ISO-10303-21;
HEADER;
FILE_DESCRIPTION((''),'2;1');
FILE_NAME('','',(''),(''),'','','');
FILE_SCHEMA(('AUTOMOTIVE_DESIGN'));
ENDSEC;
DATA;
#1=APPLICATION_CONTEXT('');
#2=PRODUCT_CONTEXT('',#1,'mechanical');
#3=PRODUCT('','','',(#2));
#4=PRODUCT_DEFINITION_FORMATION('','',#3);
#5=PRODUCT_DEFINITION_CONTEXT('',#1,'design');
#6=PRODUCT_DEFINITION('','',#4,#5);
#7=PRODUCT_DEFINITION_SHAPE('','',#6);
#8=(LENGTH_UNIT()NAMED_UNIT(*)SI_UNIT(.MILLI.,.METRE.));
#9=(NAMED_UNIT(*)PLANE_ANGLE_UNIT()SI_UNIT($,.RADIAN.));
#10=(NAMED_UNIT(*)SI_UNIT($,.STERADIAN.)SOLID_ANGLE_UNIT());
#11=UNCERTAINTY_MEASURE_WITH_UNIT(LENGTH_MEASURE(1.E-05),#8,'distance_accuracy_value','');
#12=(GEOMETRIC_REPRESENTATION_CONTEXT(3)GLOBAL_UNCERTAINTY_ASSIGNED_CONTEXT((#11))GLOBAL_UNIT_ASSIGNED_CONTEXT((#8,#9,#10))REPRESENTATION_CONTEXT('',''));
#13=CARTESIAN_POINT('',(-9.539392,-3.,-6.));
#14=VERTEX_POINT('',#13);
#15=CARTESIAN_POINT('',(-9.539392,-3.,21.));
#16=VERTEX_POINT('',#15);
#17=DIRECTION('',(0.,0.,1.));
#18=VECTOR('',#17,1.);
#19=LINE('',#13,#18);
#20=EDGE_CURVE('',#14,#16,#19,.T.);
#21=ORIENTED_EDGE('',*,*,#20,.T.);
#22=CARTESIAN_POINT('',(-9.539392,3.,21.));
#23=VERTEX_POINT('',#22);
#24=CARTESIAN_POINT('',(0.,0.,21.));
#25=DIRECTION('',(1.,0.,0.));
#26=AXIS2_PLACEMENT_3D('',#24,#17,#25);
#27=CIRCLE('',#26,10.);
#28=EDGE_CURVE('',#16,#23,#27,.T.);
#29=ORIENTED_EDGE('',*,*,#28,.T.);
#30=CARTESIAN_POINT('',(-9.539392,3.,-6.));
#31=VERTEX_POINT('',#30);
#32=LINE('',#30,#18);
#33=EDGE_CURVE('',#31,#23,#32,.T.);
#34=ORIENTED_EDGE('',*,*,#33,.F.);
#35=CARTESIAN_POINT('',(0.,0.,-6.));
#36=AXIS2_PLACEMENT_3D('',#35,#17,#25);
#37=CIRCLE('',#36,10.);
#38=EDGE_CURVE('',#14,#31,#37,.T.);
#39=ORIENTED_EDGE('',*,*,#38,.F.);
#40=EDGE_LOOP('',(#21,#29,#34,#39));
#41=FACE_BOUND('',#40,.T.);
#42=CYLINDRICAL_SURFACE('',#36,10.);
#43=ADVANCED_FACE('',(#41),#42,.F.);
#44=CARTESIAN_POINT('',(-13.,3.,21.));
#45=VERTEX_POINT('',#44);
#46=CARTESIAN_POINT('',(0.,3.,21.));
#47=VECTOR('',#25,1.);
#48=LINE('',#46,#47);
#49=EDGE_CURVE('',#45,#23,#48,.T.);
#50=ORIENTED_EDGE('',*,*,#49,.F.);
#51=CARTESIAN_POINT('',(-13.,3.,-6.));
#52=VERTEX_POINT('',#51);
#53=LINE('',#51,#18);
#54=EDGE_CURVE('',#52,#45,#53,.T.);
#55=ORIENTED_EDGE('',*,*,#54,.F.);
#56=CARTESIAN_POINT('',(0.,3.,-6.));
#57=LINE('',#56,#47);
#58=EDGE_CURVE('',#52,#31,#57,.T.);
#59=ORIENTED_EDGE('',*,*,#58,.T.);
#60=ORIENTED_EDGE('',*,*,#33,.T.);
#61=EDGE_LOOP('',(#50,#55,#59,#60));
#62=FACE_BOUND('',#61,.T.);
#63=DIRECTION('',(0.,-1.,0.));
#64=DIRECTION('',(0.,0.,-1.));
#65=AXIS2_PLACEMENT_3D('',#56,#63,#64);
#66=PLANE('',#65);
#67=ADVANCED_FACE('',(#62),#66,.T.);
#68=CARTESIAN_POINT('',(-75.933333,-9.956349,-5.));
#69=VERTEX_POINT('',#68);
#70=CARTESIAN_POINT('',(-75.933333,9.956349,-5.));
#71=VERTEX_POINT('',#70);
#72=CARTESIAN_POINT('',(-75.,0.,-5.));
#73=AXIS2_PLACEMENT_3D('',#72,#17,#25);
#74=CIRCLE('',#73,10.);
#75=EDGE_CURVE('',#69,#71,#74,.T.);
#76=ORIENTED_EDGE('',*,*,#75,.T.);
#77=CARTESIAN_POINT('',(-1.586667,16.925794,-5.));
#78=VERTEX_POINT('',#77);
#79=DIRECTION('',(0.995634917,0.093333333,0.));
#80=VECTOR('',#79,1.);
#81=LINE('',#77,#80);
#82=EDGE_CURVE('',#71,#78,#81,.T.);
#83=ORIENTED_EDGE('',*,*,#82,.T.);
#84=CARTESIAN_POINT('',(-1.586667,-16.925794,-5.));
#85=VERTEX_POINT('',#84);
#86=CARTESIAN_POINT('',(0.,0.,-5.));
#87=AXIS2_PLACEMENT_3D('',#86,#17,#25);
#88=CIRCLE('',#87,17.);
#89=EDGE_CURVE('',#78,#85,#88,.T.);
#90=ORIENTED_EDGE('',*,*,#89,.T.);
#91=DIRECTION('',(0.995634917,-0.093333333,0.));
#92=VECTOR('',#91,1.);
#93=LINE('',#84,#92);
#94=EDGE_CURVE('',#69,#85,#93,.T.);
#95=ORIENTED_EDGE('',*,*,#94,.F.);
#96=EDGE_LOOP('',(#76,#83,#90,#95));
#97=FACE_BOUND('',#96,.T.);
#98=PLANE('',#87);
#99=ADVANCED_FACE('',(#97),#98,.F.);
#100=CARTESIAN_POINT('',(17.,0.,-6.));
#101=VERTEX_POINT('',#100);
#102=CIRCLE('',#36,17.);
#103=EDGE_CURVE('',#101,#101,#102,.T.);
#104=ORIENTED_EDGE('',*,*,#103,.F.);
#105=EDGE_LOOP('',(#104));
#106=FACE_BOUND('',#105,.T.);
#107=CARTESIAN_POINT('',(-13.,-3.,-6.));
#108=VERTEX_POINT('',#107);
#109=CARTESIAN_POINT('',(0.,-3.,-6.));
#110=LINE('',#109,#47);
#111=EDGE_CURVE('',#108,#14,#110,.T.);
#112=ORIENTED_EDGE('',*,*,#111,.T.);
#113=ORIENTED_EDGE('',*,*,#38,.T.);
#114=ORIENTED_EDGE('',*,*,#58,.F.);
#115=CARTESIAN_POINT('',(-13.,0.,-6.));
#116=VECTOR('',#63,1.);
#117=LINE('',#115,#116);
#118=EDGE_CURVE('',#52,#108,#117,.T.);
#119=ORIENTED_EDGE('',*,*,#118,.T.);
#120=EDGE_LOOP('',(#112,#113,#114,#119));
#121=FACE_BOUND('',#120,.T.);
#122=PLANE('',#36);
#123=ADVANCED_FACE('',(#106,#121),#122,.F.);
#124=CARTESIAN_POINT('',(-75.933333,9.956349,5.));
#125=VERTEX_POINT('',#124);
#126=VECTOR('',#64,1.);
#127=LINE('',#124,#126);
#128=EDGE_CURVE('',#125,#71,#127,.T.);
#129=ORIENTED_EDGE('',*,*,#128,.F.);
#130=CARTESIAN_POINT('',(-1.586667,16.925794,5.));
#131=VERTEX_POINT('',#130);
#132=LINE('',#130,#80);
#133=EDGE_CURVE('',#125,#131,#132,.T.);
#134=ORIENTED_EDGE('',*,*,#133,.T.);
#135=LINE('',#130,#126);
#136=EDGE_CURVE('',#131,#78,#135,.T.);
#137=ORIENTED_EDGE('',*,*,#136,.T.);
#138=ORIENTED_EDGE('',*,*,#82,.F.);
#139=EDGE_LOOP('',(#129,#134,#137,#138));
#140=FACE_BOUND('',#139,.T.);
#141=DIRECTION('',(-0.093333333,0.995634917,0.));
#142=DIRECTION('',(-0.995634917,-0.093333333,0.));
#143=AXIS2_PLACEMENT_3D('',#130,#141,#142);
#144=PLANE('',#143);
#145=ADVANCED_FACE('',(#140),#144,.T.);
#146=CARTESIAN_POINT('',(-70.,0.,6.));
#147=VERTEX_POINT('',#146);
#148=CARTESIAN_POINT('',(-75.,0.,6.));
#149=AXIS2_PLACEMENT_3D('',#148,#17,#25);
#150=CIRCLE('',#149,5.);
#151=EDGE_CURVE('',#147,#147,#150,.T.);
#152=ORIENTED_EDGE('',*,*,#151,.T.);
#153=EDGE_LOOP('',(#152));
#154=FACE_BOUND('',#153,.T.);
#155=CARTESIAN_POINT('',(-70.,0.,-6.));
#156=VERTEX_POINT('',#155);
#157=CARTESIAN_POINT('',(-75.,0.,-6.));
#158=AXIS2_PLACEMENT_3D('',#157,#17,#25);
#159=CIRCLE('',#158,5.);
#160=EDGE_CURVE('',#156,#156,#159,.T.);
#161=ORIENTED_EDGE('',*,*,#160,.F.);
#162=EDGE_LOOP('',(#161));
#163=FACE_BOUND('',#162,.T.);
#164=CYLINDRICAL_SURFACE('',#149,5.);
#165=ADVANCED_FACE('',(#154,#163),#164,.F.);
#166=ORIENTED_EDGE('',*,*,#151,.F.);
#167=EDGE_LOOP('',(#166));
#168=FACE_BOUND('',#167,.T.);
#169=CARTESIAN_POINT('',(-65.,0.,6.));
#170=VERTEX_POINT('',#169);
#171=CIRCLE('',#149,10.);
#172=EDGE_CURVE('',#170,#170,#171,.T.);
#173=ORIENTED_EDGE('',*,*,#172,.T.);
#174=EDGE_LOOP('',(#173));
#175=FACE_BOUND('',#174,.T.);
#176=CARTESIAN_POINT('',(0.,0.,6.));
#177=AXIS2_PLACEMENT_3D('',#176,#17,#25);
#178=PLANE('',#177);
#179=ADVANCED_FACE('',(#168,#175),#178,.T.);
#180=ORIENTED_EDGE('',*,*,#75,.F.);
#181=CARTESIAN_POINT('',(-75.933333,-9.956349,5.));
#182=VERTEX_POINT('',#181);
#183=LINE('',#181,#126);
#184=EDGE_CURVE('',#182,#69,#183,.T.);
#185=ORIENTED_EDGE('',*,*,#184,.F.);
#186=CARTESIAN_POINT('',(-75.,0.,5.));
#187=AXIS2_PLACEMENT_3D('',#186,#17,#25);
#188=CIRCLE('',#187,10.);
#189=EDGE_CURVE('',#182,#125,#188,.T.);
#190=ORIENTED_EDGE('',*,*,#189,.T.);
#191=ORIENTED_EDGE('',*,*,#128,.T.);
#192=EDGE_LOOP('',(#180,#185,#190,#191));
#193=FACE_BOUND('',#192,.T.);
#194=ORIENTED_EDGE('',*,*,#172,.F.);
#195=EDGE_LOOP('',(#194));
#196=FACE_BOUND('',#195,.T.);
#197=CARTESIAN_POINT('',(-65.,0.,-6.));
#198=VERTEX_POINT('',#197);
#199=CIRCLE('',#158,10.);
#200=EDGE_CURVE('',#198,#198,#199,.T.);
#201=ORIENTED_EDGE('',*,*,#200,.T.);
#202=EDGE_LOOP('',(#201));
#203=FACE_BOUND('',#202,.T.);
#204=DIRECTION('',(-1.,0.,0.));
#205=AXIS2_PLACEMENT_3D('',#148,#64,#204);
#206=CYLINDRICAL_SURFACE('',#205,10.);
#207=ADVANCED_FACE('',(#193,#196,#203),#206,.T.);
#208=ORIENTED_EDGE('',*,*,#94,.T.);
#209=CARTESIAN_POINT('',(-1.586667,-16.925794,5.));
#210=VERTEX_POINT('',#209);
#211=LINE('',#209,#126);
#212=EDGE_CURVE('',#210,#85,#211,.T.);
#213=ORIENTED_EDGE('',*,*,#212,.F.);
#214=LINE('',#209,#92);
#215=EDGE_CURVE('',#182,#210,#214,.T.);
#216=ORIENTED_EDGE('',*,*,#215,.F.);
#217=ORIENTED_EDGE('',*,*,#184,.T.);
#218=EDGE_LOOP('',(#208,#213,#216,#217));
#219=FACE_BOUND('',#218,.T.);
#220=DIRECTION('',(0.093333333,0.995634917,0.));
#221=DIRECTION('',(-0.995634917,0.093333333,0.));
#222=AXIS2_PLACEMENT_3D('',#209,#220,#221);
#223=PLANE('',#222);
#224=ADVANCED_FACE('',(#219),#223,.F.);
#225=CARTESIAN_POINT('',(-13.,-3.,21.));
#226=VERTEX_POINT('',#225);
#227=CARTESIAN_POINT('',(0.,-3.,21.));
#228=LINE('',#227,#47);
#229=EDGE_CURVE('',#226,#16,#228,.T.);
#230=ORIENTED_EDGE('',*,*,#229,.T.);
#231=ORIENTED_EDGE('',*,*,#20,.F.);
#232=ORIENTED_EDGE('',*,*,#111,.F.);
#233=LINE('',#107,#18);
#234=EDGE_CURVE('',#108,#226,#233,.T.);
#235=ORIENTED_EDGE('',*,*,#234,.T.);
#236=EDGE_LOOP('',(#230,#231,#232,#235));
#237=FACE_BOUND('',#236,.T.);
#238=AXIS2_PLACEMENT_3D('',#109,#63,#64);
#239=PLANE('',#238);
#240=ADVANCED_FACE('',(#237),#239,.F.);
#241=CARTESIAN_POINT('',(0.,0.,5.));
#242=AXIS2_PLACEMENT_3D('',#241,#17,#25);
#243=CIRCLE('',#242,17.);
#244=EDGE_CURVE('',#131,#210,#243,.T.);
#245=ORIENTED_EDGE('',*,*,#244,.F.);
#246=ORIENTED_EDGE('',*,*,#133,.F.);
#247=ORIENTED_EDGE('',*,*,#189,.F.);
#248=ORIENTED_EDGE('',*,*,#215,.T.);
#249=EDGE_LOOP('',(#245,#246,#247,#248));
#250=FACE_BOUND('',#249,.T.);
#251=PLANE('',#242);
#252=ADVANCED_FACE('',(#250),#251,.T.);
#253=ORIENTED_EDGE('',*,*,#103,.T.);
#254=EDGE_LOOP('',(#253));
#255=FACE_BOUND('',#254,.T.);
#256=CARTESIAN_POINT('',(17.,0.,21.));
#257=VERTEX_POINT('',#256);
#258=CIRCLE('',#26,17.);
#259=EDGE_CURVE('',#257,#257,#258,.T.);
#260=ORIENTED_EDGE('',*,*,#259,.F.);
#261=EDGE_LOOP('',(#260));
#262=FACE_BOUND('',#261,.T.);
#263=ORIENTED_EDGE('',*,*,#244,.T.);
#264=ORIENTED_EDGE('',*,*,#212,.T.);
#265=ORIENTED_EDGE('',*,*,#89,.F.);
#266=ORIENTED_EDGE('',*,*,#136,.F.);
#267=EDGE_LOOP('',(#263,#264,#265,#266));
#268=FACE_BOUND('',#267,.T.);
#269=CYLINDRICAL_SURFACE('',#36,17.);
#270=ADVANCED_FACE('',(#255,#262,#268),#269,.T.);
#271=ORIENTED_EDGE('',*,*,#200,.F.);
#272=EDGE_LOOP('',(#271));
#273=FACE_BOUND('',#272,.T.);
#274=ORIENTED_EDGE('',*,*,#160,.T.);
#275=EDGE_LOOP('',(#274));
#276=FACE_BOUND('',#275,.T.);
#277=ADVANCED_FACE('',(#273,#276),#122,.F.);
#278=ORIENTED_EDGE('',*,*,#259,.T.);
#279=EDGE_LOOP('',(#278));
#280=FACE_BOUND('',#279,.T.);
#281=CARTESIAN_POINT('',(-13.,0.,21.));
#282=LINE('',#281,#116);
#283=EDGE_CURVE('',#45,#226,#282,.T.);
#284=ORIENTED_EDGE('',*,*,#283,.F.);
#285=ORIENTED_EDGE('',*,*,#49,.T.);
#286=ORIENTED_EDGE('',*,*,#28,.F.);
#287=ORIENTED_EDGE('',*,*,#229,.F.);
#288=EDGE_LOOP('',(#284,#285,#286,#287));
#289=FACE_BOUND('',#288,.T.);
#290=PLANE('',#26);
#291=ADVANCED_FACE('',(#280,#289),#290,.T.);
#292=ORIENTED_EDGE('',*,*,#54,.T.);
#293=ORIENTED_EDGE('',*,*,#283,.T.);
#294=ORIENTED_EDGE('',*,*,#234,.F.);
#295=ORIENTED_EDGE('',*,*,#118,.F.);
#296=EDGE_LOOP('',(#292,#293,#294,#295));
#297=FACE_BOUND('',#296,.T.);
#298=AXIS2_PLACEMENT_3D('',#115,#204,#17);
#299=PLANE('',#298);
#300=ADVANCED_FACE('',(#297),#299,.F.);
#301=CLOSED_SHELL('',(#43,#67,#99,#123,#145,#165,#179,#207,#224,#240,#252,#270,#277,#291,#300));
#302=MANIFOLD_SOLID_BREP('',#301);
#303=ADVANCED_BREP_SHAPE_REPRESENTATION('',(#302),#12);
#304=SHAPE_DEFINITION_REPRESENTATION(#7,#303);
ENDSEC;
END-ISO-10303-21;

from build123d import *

# Parameters (mm, degrees)
ESTRUSIONE_ESTRUSIONE1_DEPTH      = 6
ESTRUSIONE_ESTRUSIONE2_DEPTH      = 21
ESTRUSIONE_ESTRUSIONE2_DEPTH_BACK = 6
ESTRUSIONE_ESTRUSIONE3_DEPTH      = 5
FORO_10_0_10_1_D                  = 10


with BuildPart() as part:
    # Schizzo2 → Estrusione-Estrusione1 (new, symmetric)
    with BuildSketch(Plane.XY):
        with BuildLine():
            ThreePointArc((-65, 0), (-68.266996708, 7.393691004), (-75.933333333, 9.956349175))
            ThreePointArc((-75.933333333, 9.956349175), (-85, 0), (-75.933333333, -9.956349175))
            ThreePointArc((-75.933333333, -9.956349175), (-68.266996708, -7.393691004), (-65, 0))
        make_face()
    extrude(amount=ESTRUSIONE_ESTRUSIONE1_DEPTH, both=True)



with BuildPart() as body_2:
    # Schizzo2<3> → Estrusione-Estrusione2 (new, two sides: drawn at the far end of the back side and taken through both)
    with BuildSketch(Plane.XY.offset(-ESTRUSIONE_ESTRUSIONE2_DEPTH_BACK)):
        with BuildLine():
            ThreePointArc((17, 0), (11.446105597, 12.569274707), (-1.586666667, 16.925793597))
            ThreePointArc((-1.586666667, 16.925793597), (-17, 0), (-1.586666667, -16.925793597))
            ThreePointArc((-1.586666667, -16.925793597), (11.446105597, -12.569274707), (17, 0))
        make_face()
        with BuildLine():
            Line((-13, -3), (-13, 3))
            Line((-13, 3), (-9.539392014, 3))
            ThreePointArc((-9.539392014, 3), (10, 0), (-9.539392014, -3))
            Line((-9.539392014, -3), (-13, -3))
        make_face(mode=Mode.SUBTRACT)
    extrude(amount=ESTRUSIONE_ESTRUSIONE2_DEPTH + ESTRUSIONE_ESTRUSIONE2_DEPTH_BACK)


with BuildPart() as part_1:
    add(part.part)

    add(body_2.part)  # Estrusione-Estrusione3 merges body 2
    # Schizzo2<4> → Estrusione-Estrusione3 (add, symmetric)
    with BuildSketch(Plane.XY):
        with BuildLine():
            ThreePointArc((-75.933333333, 9.956349175), (-65, 0), (-75.933333333, -9.956349175))
            Line((-75.933333333, -9.956349175), (-1.586666667, -16.925793597))
            ThreePointArc((-1.586666667, -16.925793597), (-17, 0), (-1.586666667, 16.925793597))
            Line((-1.586666667, 16.925793597), (-75.933333333, 9.956349175))
        make_face()
    extrude(amount=ESTRUSIONE_ESTRUSIONE3_DEPTH, both=True)

    # Foro Ø10.0 (10)-1 (through all)
    with Locations(Plane.XY.offset(6)):
        with Locations((-75, 0)):
            Hole(FORO_10_0_10_1_D / 2)


solid = part_1.part
